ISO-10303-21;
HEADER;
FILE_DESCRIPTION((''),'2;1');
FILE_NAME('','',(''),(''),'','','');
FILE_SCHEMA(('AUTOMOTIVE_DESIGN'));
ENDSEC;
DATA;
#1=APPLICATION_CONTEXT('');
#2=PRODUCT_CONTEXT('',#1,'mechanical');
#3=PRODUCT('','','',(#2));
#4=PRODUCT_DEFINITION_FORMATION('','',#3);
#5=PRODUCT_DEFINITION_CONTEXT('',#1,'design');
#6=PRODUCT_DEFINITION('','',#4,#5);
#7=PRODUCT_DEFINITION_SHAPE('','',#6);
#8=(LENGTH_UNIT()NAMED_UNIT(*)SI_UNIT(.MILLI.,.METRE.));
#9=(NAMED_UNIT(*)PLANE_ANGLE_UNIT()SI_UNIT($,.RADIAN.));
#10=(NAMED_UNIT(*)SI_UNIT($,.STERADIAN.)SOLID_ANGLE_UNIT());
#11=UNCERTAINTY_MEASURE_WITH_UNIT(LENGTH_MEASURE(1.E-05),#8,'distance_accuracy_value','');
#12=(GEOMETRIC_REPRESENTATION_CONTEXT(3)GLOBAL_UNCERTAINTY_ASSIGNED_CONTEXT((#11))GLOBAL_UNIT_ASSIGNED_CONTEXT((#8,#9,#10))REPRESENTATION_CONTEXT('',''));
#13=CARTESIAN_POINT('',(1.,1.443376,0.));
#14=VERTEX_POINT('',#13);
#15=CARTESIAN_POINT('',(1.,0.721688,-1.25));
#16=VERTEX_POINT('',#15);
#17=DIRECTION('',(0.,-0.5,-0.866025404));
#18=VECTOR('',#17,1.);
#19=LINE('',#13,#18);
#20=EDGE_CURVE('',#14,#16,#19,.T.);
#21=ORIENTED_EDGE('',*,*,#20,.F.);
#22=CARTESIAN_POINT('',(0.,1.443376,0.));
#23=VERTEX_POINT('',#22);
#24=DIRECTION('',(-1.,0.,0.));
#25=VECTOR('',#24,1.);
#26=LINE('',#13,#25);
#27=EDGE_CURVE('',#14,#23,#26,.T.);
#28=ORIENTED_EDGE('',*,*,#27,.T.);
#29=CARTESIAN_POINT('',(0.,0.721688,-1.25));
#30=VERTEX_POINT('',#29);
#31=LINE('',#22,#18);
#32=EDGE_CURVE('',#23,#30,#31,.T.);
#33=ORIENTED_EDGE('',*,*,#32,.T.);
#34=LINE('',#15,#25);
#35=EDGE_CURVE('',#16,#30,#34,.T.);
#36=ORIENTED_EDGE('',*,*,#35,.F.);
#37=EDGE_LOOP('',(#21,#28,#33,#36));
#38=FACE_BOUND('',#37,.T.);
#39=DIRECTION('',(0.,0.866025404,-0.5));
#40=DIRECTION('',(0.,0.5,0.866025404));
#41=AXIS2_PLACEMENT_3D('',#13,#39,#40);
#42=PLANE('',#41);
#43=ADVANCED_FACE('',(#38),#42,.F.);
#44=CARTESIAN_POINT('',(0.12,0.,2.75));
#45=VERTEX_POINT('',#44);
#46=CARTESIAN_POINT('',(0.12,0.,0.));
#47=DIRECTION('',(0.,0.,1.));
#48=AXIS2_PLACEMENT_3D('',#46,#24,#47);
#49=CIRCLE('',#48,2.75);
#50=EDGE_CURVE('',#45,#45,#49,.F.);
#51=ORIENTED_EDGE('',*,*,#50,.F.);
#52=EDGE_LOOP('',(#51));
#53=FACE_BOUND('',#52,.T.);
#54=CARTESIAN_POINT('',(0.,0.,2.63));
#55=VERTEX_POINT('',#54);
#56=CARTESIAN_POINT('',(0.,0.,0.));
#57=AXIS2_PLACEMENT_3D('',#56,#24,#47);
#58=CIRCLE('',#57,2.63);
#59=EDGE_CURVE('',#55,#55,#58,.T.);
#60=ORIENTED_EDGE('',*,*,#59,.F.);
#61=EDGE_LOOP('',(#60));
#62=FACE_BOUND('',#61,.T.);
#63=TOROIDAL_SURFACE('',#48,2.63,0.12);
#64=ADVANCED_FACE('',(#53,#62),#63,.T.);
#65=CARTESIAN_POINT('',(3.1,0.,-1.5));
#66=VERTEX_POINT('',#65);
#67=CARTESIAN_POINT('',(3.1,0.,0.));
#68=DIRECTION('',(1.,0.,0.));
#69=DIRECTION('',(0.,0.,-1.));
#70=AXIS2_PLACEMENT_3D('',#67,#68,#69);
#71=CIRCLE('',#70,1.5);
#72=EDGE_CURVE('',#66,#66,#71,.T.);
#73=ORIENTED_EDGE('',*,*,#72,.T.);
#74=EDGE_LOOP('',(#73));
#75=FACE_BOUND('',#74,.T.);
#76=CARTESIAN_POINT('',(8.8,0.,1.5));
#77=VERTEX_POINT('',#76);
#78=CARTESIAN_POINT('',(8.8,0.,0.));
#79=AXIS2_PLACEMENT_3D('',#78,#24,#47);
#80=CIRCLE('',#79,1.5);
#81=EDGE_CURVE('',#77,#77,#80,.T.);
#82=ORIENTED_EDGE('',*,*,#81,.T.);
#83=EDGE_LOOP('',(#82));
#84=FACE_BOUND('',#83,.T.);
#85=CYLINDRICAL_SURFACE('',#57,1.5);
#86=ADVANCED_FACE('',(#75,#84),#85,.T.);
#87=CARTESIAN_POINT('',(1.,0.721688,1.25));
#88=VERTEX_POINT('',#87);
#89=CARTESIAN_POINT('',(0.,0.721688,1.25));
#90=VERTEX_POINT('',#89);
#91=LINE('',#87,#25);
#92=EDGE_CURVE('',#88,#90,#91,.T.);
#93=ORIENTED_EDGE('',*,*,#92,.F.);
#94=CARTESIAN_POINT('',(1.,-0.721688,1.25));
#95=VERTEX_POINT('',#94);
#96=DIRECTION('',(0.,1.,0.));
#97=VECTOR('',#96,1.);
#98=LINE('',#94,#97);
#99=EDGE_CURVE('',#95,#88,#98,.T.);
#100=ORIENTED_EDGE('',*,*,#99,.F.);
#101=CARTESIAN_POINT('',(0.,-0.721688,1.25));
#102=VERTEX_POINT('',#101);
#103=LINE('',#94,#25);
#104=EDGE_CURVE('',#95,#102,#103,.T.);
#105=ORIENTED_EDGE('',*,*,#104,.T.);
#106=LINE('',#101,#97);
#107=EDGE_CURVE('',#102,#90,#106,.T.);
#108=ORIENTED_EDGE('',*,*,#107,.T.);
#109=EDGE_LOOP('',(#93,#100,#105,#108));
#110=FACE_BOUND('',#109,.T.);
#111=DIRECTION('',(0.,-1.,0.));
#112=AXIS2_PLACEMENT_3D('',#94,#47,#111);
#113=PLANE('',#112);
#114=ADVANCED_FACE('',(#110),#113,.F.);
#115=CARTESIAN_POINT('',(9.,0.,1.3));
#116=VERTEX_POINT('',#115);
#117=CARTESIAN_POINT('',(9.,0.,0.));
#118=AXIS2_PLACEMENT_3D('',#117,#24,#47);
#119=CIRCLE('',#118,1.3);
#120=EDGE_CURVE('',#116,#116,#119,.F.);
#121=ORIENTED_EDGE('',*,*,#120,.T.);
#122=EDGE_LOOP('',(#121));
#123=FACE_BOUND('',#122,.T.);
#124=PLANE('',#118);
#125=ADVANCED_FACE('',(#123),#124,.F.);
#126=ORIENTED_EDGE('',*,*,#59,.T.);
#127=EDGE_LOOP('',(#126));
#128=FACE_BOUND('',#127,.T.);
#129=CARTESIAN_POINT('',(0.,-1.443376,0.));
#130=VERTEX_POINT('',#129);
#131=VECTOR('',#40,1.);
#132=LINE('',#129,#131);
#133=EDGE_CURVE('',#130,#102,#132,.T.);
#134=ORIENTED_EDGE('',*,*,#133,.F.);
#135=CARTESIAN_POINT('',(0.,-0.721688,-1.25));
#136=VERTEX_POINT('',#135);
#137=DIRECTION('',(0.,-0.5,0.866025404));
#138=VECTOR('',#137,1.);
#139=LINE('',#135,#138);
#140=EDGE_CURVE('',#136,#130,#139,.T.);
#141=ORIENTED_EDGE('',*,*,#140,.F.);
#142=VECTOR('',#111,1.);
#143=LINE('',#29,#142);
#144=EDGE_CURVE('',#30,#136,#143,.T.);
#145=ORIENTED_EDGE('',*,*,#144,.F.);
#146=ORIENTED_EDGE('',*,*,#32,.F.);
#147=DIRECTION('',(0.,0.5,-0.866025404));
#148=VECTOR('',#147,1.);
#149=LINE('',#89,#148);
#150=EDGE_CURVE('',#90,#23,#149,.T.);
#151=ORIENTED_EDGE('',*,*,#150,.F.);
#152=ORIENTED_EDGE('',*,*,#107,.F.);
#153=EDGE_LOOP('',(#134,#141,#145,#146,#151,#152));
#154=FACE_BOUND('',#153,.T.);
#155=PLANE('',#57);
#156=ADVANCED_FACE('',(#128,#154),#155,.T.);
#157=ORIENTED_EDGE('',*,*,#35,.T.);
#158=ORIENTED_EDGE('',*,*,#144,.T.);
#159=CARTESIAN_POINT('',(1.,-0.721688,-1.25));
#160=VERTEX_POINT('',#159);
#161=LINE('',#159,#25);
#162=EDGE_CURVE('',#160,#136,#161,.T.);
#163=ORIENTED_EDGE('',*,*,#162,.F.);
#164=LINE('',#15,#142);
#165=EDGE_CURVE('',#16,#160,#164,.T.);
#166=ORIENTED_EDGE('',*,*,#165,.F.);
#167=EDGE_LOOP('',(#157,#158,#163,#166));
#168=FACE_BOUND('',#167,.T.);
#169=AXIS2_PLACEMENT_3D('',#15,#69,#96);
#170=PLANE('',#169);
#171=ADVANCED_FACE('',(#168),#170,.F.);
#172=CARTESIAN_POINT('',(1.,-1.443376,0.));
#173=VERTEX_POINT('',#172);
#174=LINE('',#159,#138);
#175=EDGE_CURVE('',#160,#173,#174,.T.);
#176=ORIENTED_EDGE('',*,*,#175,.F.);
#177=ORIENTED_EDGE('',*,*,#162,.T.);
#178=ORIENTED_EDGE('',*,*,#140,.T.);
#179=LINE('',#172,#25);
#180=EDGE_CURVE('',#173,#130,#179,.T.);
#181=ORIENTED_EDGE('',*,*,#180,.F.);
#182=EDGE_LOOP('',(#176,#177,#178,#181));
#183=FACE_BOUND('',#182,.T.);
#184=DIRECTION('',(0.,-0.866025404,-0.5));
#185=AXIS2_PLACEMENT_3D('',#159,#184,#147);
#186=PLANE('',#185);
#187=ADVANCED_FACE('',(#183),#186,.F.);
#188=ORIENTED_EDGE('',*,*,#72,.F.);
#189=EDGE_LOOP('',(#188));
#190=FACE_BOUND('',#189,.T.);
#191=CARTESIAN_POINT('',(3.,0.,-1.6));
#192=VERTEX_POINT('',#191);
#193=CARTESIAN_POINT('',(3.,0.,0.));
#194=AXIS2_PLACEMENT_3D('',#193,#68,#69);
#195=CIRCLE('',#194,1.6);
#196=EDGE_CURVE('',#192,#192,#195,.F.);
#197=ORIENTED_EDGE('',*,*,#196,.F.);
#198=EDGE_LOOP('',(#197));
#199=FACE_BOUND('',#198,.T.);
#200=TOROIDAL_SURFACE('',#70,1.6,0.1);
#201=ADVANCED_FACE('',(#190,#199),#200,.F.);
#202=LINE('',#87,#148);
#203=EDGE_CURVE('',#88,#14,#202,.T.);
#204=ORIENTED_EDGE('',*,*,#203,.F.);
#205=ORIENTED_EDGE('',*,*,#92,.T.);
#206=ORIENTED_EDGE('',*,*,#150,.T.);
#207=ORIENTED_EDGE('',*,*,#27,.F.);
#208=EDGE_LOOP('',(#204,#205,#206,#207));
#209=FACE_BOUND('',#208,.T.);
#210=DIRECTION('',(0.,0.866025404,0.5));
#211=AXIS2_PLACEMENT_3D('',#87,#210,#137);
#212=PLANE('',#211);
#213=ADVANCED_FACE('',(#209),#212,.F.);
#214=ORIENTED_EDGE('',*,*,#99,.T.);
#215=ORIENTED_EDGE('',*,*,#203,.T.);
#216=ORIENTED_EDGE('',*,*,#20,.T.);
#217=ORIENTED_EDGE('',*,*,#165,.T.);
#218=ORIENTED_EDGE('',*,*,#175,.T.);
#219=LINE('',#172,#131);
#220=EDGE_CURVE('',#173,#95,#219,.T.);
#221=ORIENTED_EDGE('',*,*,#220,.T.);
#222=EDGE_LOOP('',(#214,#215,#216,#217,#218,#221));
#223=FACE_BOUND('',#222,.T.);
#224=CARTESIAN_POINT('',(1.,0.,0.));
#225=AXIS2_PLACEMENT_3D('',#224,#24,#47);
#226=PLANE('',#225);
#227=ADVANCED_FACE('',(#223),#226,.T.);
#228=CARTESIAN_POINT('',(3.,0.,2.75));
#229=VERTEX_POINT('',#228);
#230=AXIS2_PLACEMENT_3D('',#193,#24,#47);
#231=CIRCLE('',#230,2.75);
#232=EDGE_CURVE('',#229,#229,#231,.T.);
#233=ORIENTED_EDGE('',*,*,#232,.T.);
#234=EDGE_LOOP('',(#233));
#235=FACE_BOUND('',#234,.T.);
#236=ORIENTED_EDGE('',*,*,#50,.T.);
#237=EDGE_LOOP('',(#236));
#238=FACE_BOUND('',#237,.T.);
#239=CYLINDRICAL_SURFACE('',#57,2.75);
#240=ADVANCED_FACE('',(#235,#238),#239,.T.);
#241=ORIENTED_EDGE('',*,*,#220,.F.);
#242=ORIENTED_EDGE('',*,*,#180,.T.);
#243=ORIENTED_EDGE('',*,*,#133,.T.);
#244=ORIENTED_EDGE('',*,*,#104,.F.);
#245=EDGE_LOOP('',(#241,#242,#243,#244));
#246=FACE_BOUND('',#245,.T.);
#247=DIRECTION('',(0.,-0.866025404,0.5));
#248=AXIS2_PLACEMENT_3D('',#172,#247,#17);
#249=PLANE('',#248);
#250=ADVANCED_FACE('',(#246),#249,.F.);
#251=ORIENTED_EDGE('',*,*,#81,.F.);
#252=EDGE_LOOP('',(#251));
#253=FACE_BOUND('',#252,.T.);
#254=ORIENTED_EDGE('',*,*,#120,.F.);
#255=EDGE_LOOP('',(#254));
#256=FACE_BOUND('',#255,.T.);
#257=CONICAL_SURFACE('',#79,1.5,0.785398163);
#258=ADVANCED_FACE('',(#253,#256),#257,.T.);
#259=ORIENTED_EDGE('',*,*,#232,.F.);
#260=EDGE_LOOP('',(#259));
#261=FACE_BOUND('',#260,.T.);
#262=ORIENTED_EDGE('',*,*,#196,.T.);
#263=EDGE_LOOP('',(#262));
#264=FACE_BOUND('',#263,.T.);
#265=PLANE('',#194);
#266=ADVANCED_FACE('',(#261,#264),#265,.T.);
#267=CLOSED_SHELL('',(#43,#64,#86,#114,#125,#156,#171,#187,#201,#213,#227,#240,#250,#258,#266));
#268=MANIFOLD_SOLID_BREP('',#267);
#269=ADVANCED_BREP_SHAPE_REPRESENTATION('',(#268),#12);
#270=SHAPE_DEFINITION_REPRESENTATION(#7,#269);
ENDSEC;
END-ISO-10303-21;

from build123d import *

# Parameters (mm, degrees)
FILLET1_R      = 0.1
FILLET2_R      = 0.12
CHAMFER1_SIZE  = 0.2
EXTRUDE1_DEPTH = 1


with BuildPart() as part:
    # Sketch1 → Revolve1 (revolve)
    with BuildSketch(Plane.XY, mode=Mode.PRIVATE) as revolve1_sk:
        Polygon((3, 1.5), (3, 0), (4.279914881, 0), (9, 0), (9, 1.5), align=None)
        Polygon((0, 2.75), (0, 0), (3, 0), (3, 1.5), (3, 2.75), align=None)
    revolve(revolve1_sk.sketch.rotate(Axis((0, 0, 0), (1, 0, 0)), 90), axis=Axis((0, 0, 0), (1, 0, 0)))

    # Fillet1
    fillet1_edges = [part.edges().sort_by_distance(p)[0] for p in [
        (3, 0, -1.5),
    ]]
    fillet(fillet1_edges, radius=FILLET1_R)

    # Fillet2
    fillet2_edges = [part.edges().sort_by_distance(p)[0] for p in [
        (0, 0, -2.75),
    ]]
    fillet(fillet2_edges, radius=FILLET2_R)

    # Chamfer1
    chamfer1_edges = [part.edges().sort_by_distance(p)[0] for p in [
        (9, 0, -1.5),
    ]]
    chamfer(chamfer1_edges, length=CHAMFER1_SIZE)

    # Sketch2 → Extrude1 (cut)
    with BuildSketch(Plane.ZY):
        Polygon((0, 1.443375673), (-1.25, 0.721687836), (-1.25, -0.721687836), (0, -1.443375673), (1.25, -0.721687836), (1.25, 0.721687836), align=None)
    extrude(amount=-EXTRUDE1_DEPTH, mode=Mode.SUBTRACT)


solid = part.part
